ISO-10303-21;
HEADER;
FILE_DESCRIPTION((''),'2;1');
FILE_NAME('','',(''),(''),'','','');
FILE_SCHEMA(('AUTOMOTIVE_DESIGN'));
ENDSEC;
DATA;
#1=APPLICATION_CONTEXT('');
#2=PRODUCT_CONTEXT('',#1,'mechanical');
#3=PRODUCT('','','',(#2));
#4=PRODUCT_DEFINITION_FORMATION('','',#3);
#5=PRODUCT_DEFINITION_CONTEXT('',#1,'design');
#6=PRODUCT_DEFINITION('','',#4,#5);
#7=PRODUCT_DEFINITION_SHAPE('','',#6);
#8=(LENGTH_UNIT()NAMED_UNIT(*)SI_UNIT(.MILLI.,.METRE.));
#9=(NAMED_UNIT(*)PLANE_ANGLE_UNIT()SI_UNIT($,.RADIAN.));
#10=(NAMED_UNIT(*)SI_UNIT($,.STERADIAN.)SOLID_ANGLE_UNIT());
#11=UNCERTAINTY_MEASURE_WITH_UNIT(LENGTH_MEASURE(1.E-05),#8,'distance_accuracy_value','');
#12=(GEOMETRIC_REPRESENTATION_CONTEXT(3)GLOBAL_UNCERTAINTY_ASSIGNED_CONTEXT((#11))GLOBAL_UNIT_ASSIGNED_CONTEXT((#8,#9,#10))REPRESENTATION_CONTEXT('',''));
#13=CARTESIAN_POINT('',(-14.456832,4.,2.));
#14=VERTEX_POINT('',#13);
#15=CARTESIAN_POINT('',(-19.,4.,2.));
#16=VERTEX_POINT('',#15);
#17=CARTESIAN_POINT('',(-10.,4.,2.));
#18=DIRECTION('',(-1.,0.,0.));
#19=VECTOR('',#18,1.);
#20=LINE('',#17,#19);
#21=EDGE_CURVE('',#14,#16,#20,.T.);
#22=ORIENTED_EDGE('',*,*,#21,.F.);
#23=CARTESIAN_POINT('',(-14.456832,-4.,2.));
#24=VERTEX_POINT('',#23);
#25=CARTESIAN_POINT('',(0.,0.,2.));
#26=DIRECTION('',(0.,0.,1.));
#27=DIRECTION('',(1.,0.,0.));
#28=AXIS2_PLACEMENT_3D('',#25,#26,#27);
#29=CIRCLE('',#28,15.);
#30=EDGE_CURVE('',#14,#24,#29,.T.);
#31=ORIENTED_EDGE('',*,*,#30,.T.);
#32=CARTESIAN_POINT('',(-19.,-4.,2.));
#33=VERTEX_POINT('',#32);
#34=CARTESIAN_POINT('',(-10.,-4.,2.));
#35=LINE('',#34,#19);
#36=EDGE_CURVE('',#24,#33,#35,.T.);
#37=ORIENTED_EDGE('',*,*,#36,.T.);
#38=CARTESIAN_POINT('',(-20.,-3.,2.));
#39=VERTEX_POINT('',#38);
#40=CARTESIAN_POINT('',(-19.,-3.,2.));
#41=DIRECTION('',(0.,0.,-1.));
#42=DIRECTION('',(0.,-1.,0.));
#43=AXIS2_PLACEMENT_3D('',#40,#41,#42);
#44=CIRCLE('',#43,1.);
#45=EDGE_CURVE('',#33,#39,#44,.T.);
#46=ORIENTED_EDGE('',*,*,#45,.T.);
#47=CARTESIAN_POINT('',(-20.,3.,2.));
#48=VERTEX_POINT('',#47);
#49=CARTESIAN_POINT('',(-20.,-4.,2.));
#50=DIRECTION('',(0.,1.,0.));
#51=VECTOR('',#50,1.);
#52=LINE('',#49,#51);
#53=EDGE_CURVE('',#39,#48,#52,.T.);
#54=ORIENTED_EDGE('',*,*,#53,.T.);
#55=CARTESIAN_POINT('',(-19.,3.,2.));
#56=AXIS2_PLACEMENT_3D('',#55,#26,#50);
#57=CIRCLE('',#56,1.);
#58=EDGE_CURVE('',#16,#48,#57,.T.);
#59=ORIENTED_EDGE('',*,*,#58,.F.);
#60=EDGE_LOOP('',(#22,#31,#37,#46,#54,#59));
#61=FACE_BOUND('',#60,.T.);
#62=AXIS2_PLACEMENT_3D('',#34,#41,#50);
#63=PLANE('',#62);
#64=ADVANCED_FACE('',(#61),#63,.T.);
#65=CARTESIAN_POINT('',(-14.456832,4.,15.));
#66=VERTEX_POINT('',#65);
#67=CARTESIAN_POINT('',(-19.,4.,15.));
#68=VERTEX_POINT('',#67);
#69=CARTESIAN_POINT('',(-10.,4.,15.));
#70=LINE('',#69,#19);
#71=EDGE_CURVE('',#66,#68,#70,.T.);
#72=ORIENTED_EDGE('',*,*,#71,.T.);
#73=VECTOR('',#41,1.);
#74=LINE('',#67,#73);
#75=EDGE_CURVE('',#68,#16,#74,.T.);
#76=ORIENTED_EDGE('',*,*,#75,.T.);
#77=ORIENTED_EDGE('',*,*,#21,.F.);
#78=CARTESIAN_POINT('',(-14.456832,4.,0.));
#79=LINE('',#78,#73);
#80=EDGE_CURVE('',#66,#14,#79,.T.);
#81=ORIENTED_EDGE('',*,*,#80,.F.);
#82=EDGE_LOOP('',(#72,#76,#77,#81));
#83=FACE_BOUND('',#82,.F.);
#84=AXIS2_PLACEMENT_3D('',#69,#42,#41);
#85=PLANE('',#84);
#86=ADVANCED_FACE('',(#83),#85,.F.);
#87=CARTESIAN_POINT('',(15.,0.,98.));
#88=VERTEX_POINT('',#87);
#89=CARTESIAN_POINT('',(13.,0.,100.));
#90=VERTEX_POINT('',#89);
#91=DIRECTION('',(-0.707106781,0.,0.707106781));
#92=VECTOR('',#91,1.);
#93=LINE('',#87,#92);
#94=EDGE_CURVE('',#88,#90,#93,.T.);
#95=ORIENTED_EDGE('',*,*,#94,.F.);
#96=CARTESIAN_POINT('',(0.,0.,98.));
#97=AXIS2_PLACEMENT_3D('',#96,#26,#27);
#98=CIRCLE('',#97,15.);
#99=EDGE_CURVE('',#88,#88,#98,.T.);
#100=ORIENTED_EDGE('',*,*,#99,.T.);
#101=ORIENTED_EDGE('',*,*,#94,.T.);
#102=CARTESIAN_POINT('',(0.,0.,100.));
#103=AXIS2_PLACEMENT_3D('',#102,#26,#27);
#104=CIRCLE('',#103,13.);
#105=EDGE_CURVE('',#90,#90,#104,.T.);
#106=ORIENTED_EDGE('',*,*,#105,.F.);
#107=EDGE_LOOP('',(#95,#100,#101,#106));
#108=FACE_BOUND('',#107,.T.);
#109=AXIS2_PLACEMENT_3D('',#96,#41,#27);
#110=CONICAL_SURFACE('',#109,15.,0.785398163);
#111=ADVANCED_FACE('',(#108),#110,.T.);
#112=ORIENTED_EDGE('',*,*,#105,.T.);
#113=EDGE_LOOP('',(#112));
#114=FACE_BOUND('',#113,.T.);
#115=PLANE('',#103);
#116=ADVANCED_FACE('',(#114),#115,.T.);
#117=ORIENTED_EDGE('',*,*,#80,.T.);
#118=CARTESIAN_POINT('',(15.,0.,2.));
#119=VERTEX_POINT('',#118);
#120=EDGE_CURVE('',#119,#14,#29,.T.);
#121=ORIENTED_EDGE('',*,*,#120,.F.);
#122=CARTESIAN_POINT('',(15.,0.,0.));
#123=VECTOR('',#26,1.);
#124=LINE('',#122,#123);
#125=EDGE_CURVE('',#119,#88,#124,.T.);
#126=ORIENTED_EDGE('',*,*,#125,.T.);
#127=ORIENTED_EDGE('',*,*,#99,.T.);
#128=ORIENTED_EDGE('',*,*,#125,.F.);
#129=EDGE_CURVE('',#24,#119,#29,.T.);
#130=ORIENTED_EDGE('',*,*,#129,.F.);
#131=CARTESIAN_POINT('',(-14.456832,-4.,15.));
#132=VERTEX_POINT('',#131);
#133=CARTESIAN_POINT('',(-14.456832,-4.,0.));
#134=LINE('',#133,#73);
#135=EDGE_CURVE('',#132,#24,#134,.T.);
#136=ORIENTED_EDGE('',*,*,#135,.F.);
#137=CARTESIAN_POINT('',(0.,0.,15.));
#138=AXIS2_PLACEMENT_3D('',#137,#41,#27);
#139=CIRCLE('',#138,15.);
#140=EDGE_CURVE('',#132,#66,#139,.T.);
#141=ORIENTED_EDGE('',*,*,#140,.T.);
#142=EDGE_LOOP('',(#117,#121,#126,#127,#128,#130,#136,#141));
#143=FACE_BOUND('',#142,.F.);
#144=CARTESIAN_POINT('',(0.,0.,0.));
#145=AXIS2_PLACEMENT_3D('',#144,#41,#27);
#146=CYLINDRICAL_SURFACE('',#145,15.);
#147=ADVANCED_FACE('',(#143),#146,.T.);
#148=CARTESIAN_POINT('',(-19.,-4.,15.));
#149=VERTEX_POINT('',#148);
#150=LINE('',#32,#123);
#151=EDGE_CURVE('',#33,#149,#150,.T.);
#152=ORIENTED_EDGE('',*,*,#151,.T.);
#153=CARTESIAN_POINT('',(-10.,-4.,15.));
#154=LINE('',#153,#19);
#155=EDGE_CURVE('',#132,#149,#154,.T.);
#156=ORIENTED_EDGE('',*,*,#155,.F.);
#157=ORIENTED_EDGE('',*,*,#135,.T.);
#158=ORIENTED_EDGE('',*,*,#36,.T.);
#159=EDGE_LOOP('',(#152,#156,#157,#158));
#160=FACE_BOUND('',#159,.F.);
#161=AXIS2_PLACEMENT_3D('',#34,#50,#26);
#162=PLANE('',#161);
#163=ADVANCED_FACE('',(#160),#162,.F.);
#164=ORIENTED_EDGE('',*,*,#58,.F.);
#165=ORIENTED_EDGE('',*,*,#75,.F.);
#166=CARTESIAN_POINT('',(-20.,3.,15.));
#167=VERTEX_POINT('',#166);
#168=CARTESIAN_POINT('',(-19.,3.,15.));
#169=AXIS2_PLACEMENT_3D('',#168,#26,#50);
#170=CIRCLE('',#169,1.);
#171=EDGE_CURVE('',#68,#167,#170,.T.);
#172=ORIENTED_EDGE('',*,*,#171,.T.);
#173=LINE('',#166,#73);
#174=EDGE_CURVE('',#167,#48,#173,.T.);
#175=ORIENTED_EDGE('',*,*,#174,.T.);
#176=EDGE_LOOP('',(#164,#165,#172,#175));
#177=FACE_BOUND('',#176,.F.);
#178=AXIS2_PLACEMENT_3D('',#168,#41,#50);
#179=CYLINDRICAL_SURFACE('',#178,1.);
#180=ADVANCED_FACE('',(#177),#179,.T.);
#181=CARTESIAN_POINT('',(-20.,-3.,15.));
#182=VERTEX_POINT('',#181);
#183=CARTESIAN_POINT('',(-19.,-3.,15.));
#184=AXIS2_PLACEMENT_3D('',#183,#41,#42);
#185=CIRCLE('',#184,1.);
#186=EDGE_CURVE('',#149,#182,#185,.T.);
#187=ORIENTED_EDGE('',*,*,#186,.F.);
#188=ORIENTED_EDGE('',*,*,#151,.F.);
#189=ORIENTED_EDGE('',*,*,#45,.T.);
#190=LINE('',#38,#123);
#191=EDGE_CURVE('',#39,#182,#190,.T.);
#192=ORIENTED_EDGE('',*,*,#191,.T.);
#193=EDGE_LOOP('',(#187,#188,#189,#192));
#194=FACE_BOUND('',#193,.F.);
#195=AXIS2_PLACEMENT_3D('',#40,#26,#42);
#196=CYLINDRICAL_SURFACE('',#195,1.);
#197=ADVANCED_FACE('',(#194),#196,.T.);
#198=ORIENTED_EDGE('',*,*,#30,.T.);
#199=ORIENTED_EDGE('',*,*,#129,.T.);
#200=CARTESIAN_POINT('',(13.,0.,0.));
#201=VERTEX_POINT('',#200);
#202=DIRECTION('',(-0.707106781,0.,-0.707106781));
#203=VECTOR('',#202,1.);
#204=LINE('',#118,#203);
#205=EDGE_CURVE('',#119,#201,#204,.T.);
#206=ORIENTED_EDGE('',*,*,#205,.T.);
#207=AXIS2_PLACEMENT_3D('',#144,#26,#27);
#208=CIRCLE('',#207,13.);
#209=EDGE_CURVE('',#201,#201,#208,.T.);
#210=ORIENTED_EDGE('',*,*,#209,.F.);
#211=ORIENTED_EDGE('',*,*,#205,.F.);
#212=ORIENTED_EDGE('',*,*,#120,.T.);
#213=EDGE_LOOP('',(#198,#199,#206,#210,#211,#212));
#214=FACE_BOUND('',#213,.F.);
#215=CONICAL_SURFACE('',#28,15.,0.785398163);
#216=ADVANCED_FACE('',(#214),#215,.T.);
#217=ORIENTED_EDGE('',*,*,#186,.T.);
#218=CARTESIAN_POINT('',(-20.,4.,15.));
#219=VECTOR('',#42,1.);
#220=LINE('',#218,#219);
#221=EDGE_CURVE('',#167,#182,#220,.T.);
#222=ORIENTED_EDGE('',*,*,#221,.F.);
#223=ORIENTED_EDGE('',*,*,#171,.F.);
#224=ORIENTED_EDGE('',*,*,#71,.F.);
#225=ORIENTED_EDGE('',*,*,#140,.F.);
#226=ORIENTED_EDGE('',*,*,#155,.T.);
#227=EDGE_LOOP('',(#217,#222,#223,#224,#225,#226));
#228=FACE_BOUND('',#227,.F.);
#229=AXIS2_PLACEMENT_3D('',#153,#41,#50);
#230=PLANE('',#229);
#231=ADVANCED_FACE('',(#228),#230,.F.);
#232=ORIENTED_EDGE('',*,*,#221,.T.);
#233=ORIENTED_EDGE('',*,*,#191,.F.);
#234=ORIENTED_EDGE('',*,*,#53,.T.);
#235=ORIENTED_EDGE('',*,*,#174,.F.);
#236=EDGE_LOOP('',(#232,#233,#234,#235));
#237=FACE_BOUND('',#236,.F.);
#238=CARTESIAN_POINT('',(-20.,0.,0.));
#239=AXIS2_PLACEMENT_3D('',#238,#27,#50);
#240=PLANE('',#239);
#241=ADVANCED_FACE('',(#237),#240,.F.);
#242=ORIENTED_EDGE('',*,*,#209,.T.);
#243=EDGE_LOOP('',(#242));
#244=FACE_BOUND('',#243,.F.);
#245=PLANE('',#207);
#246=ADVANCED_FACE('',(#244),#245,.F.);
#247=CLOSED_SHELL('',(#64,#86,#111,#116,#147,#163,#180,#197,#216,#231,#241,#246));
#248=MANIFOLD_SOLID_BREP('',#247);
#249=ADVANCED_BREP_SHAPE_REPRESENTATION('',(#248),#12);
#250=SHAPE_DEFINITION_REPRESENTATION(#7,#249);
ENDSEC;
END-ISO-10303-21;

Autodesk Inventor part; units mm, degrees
ref_plane "XZ Plane" through (0, 0, 0) normal (0, 1, 0) x (-1, 0, 0)
ref_plane "XY Plane" through (0, 0, 0) normal (0, 0, 1) x (1, 0, 0)
sketch "Sketch1" plane through (0, 0, 0) normal (0, 0, 1) x (1, 0, 0)
  circle A0 centre (0, 0) radius 15
  dimension "d0" = 30
extrude "Extrusion1" add sketch "Sketch1" along normal blind 100
chamfer "Chamfer1" distance 2 angle 45 1 edges at (-15, 0, 100)
chamfer "Chamfer2" distance 2 angle 45 1 edges at (-15, 0, 0)
ref_plane "Work Plane1" through (-10, 0, 0) normal (1, 0, 0) x (0, 1, 0)
sketch "Sketch2" plane through (-10, 0, 0) normal (1, 0, 0) x (0, 1, 0)
  line L0 (-15, 2) -> (15, 2) projected
  line L1 (4, 2) -> (-4, 2)
  line L2 (-4, 2) -> (-4, 15)
  line L3 (-4, 15) -> (4, 15)
  line L4 (4, 15) -> (4, 2)
  line L5 (4, 2) -> (-4, 15) construction
  line L6 (-4, 2) -> (4, 15) construction
  line L7 (0, -20) -> (0, 120) projected
  line L8 (15, 98) -> (-15, 98) projected
  line L9 (-15, 2) -> (15, 2) projected
  line L10 (-15, 2) -> (-15, 98) projected
  line L11 (15, 2) -> (15, 98) projected
  point P0 (0, 0)
  point P1 (0, 8.5)
  dimension "d10" = 8
  dimension "d11" = 13
  dimension "d12" = 15
extrude "Extrusion2" add sketch "Sketch2" against normal blind 10 contours L2 L3 L7 L0 | L7 L3 L4 L0
fillet "Fillet1" radius 1 2 edges at (-20, 4, 8.5) (-20, -4, 8.5)
properties part number "Shaft" material "Lead"
